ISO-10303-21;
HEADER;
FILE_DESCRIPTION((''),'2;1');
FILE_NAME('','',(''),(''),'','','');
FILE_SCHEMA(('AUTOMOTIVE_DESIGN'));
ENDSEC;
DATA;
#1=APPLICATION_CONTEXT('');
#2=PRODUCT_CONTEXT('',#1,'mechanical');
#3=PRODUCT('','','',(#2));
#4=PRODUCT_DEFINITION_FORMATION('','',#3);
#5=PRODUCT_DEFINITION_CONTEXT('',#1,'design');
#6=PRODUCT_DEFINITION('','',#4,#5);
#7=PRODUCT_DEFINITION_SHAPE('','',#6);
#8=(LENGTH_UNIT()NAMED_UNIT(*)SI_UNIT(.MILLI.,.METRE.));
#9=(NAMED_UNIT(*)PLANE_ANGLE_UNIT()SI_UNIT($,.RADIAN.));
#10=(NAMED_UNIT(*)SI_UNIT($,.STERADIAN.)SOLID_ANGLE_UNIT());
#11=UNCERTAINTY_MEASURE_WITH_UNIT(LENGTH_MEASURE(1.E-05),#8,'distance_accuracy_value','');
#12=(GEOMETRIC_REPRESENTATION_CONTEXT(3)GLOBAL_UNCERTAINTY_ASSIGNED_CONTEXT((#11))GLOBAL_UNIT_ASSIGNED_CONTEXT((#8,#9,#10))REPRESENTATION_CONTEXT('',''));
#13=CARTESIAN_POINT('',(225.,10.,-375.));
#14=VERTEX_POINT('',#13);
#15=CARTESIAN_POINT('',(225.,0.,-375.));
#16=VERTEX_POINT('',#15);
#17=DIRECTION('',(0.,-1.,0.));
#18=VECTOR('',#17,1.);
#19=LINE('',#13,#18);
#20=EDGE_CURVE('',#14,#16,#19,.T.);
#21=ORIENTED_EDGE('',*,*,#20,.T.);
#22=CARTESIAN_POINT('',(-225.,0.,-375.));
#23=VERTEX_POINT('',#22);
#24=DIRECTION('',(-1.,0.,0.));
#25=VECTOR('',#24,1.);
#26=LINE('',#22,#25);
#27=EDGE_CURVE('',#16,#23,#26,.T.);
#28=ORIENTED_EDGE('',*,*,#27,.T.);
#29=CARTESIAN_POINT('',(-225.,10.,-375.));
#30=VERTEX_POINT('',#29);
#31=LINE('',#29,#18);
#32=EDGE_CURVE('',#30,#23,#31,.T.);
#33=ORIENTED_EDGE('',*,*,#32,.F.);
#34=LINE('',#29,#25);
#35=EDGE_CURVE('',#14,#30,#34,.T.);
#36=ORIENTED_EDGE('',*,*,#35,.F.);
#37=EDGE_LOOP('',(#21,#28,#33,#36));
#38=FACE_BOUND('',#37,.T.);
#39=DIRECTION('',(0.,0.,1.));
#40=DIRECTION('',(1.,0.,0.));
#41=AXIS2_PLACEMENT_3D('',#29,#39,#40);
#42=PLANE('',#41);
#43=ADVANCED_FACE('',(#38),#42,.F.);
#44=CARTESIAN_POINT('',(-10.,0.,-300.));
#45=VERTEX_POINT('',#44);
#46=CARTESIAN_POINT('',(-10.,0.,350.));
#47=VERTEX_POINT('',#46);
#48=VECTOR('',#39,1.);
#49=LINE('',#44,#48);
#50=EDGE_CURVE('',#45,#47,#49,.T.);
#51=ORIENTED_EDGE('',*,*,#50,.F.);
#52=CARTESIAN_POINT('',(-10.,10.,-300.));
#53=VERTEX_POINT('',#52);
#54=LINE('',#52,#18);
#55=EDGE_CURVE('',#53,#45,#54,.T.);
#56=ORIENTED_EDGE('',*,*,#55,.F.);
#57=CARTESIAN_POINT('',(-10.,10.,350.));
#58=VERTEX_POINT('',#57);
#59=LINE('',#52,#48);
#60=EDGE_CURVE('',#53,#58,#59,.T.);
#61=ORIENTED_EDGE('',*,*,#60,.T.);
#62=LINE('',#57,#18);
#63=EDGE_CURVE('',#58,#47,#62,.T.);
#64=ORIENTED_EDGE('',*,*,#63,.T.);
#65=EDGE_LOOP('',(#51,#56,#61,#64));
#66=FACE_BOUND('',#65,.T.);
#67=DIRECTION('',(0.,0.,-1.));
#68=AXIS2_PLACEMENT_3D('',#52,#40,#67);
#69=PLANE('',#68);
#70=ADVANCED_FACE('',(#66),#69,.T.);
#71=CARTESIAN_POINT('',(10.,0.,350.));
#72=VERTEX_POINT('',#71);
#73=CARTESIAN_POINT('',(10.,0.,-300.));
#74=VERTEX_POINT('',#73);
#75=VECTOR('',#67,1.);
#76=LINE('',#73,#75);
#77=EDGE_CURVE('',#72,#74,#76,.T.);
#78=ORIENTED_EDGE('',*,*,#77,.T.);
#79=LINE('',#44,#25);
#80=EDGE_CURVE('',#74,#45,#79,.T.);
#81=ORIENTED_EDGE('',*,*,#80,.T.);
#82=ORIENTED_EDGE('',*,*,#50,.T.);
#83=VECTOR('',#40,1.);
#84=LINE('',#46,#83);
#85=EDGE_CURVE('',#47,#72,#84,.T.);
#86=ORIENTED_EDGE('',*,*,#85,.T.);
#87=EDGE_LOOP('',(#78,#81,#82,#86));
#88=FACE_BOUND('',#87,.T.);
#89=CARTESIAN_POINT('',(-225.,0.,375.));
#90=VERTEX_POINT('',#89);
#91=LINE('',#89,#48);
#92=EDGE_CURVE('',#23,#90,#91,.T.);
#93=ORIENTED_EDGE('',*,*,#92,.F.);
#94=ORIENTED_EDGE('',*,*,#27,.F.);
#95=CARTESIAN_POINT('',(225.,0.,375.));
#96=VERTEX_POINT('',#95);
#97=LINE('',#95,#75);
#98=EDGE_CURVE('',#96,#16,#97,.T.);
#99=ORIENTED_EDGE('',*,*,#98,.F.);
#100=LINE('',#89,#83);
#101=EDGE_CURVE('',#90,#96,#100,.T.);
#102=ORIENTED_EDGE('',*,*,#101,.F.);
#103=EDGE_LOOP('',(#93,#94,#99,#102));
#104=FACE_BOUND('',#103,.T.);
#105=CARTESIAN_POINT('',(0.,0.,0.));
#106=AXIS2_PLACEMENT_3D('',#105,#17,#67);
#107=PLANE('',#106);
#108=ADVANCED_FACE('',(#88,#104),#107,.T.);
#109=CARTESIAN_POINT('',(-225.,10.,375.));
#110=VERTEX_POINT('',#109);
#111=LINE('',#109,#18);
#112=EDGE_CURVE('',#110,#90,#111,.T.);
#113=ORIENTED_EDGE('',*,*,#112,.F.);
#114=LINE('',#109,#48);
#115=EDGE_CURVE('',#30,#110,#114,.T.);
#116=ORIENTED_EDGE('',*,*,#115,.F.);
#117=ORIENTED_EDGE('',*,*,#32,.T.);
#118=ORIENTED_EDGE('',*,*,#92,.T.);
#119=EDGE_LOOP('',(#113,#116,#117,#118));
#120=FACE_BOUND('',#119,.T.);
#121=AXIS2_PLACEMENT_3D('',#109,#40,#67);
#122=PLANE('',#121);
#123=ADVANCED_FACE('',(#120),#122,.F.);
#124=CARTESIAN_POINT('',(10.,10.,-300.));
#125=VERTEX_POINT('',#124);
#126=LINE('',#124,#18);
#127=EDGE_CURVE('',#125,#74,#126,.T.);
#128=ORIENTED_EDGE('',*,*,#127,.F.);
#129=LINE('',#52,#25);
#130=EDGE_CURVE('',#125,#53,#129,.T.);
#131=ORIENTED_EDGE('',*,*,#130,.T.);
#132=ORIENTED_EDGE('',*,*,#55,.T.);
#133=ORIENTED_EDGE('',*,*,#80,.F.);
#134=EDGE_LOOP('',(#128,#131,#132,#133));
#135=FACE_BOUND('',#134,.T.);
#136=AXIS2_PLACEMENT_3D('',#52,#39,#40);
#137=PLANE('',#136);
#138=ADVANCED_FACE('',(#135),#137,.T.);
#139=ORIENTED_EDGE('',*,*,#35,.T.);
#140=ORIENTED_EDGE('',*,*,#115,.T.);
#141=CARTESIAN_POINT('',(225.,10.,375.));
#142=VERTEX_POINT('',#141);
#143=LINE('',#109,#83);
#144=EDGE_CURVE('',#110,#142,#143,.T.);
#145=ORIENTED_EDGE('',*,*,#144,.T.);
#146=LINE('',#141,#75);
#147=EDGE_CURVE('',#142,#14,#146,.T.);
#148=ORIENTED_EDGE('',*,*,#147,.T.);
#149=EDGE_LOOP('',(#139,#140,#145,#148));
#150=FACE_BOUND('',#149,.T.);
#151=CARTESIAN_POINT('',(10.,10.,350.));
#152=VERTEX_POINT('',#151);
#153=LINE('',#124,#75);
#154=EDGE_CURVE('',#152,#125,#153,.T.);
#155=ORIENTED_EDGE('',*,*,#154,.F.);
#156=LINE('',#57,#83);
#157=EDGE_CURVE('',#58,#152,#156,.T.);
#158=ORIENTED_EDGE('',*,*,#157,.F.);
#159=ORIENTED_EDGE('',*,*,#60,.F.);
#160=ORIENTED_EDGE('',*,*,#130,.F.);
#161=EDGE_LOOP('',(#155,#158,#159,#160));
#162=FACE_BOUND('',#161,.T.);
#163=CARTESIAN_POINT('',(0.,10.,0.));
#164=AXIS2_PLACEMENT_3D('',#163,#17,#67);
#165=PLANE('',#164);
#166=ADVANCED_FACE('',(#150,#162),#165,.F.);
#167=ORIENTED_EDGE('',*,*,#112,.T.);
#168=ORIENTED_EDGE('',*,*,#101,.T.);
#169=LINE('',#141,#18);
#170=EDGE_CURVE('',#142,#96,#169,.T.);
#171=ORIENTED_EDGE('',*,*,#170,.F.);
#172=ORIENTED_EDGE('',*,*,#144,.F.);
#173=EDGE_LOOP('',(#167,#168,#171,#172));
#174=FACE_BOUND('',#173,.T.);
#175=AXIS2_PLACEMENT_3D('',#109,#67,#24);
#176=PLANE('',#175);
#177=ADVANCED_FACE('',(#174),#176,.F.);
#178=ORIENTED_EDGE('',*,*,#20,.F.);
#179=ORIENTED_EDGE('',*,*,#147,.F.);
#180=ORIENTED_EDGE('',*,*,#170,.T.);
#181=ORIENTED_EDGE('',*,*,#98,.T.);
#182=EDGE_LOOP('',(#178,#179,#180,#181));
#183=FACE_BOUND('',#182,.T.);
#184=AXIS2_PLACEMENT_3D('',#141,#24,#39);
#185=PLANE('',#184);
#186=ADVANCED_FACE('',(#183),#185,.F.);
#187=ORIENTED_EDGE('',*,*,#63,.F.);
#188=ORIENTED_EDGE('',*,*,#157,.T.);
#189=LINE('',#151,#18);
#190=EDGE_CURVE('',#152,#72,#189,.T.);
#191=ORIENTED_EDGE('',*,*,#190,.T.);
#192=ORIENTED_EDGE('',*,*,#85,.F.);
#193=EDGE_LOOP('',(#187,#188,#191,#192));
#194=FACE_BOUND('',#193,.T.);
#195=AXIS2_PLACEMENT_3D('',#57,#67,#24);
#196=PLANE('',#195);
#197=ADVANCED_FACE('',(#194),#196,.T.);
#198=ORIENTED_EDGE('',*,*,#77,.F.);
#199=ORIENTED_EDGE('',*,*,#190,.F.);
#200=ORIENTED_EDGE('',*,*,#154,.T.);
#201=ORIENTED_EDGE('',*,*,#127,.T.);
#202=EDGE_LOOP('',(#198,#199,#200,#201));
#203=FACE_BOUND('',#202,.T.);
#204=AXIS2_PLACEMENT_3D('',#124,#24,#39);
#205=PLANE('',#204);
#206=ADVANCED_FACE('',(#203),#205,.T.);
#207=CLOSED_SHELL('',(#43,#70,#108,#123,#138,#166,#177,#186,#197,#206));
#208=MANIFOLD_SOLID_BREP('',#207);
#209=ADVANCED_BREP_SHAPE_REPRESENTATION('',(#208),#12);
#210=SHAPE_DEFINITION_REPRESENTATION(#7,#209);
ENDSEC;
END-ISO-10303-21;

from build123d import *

# Parameters (mm, degrees)
SKETCH_1_W      = 450
SKETCH_1_H      = 750
SKETCH_1_W_2    = 20
SKETCH_1_H_2    = 650
EXTRUDE_1_DEPTH = 10


with BuildPart() as part:
    # Эскиз1 → Бобышка-Вытянуть1 (new body)
    with BuildSketch(Plane(origin=(0, 0, 0), x_dir=(1, 0, 0), z_dir=(0, 1, 0))):
        Rectangle(SKETCH_1_W, SKETCH_1_H)
        with Locations((0, -25)):
            Rectangle(SKETCH_1_W_2, SKETCH_1_H_2, mode=Mode.SUBTRACT)
    extrude(amount=EXTRUDE_1_DEPTH)


solid = part.part
